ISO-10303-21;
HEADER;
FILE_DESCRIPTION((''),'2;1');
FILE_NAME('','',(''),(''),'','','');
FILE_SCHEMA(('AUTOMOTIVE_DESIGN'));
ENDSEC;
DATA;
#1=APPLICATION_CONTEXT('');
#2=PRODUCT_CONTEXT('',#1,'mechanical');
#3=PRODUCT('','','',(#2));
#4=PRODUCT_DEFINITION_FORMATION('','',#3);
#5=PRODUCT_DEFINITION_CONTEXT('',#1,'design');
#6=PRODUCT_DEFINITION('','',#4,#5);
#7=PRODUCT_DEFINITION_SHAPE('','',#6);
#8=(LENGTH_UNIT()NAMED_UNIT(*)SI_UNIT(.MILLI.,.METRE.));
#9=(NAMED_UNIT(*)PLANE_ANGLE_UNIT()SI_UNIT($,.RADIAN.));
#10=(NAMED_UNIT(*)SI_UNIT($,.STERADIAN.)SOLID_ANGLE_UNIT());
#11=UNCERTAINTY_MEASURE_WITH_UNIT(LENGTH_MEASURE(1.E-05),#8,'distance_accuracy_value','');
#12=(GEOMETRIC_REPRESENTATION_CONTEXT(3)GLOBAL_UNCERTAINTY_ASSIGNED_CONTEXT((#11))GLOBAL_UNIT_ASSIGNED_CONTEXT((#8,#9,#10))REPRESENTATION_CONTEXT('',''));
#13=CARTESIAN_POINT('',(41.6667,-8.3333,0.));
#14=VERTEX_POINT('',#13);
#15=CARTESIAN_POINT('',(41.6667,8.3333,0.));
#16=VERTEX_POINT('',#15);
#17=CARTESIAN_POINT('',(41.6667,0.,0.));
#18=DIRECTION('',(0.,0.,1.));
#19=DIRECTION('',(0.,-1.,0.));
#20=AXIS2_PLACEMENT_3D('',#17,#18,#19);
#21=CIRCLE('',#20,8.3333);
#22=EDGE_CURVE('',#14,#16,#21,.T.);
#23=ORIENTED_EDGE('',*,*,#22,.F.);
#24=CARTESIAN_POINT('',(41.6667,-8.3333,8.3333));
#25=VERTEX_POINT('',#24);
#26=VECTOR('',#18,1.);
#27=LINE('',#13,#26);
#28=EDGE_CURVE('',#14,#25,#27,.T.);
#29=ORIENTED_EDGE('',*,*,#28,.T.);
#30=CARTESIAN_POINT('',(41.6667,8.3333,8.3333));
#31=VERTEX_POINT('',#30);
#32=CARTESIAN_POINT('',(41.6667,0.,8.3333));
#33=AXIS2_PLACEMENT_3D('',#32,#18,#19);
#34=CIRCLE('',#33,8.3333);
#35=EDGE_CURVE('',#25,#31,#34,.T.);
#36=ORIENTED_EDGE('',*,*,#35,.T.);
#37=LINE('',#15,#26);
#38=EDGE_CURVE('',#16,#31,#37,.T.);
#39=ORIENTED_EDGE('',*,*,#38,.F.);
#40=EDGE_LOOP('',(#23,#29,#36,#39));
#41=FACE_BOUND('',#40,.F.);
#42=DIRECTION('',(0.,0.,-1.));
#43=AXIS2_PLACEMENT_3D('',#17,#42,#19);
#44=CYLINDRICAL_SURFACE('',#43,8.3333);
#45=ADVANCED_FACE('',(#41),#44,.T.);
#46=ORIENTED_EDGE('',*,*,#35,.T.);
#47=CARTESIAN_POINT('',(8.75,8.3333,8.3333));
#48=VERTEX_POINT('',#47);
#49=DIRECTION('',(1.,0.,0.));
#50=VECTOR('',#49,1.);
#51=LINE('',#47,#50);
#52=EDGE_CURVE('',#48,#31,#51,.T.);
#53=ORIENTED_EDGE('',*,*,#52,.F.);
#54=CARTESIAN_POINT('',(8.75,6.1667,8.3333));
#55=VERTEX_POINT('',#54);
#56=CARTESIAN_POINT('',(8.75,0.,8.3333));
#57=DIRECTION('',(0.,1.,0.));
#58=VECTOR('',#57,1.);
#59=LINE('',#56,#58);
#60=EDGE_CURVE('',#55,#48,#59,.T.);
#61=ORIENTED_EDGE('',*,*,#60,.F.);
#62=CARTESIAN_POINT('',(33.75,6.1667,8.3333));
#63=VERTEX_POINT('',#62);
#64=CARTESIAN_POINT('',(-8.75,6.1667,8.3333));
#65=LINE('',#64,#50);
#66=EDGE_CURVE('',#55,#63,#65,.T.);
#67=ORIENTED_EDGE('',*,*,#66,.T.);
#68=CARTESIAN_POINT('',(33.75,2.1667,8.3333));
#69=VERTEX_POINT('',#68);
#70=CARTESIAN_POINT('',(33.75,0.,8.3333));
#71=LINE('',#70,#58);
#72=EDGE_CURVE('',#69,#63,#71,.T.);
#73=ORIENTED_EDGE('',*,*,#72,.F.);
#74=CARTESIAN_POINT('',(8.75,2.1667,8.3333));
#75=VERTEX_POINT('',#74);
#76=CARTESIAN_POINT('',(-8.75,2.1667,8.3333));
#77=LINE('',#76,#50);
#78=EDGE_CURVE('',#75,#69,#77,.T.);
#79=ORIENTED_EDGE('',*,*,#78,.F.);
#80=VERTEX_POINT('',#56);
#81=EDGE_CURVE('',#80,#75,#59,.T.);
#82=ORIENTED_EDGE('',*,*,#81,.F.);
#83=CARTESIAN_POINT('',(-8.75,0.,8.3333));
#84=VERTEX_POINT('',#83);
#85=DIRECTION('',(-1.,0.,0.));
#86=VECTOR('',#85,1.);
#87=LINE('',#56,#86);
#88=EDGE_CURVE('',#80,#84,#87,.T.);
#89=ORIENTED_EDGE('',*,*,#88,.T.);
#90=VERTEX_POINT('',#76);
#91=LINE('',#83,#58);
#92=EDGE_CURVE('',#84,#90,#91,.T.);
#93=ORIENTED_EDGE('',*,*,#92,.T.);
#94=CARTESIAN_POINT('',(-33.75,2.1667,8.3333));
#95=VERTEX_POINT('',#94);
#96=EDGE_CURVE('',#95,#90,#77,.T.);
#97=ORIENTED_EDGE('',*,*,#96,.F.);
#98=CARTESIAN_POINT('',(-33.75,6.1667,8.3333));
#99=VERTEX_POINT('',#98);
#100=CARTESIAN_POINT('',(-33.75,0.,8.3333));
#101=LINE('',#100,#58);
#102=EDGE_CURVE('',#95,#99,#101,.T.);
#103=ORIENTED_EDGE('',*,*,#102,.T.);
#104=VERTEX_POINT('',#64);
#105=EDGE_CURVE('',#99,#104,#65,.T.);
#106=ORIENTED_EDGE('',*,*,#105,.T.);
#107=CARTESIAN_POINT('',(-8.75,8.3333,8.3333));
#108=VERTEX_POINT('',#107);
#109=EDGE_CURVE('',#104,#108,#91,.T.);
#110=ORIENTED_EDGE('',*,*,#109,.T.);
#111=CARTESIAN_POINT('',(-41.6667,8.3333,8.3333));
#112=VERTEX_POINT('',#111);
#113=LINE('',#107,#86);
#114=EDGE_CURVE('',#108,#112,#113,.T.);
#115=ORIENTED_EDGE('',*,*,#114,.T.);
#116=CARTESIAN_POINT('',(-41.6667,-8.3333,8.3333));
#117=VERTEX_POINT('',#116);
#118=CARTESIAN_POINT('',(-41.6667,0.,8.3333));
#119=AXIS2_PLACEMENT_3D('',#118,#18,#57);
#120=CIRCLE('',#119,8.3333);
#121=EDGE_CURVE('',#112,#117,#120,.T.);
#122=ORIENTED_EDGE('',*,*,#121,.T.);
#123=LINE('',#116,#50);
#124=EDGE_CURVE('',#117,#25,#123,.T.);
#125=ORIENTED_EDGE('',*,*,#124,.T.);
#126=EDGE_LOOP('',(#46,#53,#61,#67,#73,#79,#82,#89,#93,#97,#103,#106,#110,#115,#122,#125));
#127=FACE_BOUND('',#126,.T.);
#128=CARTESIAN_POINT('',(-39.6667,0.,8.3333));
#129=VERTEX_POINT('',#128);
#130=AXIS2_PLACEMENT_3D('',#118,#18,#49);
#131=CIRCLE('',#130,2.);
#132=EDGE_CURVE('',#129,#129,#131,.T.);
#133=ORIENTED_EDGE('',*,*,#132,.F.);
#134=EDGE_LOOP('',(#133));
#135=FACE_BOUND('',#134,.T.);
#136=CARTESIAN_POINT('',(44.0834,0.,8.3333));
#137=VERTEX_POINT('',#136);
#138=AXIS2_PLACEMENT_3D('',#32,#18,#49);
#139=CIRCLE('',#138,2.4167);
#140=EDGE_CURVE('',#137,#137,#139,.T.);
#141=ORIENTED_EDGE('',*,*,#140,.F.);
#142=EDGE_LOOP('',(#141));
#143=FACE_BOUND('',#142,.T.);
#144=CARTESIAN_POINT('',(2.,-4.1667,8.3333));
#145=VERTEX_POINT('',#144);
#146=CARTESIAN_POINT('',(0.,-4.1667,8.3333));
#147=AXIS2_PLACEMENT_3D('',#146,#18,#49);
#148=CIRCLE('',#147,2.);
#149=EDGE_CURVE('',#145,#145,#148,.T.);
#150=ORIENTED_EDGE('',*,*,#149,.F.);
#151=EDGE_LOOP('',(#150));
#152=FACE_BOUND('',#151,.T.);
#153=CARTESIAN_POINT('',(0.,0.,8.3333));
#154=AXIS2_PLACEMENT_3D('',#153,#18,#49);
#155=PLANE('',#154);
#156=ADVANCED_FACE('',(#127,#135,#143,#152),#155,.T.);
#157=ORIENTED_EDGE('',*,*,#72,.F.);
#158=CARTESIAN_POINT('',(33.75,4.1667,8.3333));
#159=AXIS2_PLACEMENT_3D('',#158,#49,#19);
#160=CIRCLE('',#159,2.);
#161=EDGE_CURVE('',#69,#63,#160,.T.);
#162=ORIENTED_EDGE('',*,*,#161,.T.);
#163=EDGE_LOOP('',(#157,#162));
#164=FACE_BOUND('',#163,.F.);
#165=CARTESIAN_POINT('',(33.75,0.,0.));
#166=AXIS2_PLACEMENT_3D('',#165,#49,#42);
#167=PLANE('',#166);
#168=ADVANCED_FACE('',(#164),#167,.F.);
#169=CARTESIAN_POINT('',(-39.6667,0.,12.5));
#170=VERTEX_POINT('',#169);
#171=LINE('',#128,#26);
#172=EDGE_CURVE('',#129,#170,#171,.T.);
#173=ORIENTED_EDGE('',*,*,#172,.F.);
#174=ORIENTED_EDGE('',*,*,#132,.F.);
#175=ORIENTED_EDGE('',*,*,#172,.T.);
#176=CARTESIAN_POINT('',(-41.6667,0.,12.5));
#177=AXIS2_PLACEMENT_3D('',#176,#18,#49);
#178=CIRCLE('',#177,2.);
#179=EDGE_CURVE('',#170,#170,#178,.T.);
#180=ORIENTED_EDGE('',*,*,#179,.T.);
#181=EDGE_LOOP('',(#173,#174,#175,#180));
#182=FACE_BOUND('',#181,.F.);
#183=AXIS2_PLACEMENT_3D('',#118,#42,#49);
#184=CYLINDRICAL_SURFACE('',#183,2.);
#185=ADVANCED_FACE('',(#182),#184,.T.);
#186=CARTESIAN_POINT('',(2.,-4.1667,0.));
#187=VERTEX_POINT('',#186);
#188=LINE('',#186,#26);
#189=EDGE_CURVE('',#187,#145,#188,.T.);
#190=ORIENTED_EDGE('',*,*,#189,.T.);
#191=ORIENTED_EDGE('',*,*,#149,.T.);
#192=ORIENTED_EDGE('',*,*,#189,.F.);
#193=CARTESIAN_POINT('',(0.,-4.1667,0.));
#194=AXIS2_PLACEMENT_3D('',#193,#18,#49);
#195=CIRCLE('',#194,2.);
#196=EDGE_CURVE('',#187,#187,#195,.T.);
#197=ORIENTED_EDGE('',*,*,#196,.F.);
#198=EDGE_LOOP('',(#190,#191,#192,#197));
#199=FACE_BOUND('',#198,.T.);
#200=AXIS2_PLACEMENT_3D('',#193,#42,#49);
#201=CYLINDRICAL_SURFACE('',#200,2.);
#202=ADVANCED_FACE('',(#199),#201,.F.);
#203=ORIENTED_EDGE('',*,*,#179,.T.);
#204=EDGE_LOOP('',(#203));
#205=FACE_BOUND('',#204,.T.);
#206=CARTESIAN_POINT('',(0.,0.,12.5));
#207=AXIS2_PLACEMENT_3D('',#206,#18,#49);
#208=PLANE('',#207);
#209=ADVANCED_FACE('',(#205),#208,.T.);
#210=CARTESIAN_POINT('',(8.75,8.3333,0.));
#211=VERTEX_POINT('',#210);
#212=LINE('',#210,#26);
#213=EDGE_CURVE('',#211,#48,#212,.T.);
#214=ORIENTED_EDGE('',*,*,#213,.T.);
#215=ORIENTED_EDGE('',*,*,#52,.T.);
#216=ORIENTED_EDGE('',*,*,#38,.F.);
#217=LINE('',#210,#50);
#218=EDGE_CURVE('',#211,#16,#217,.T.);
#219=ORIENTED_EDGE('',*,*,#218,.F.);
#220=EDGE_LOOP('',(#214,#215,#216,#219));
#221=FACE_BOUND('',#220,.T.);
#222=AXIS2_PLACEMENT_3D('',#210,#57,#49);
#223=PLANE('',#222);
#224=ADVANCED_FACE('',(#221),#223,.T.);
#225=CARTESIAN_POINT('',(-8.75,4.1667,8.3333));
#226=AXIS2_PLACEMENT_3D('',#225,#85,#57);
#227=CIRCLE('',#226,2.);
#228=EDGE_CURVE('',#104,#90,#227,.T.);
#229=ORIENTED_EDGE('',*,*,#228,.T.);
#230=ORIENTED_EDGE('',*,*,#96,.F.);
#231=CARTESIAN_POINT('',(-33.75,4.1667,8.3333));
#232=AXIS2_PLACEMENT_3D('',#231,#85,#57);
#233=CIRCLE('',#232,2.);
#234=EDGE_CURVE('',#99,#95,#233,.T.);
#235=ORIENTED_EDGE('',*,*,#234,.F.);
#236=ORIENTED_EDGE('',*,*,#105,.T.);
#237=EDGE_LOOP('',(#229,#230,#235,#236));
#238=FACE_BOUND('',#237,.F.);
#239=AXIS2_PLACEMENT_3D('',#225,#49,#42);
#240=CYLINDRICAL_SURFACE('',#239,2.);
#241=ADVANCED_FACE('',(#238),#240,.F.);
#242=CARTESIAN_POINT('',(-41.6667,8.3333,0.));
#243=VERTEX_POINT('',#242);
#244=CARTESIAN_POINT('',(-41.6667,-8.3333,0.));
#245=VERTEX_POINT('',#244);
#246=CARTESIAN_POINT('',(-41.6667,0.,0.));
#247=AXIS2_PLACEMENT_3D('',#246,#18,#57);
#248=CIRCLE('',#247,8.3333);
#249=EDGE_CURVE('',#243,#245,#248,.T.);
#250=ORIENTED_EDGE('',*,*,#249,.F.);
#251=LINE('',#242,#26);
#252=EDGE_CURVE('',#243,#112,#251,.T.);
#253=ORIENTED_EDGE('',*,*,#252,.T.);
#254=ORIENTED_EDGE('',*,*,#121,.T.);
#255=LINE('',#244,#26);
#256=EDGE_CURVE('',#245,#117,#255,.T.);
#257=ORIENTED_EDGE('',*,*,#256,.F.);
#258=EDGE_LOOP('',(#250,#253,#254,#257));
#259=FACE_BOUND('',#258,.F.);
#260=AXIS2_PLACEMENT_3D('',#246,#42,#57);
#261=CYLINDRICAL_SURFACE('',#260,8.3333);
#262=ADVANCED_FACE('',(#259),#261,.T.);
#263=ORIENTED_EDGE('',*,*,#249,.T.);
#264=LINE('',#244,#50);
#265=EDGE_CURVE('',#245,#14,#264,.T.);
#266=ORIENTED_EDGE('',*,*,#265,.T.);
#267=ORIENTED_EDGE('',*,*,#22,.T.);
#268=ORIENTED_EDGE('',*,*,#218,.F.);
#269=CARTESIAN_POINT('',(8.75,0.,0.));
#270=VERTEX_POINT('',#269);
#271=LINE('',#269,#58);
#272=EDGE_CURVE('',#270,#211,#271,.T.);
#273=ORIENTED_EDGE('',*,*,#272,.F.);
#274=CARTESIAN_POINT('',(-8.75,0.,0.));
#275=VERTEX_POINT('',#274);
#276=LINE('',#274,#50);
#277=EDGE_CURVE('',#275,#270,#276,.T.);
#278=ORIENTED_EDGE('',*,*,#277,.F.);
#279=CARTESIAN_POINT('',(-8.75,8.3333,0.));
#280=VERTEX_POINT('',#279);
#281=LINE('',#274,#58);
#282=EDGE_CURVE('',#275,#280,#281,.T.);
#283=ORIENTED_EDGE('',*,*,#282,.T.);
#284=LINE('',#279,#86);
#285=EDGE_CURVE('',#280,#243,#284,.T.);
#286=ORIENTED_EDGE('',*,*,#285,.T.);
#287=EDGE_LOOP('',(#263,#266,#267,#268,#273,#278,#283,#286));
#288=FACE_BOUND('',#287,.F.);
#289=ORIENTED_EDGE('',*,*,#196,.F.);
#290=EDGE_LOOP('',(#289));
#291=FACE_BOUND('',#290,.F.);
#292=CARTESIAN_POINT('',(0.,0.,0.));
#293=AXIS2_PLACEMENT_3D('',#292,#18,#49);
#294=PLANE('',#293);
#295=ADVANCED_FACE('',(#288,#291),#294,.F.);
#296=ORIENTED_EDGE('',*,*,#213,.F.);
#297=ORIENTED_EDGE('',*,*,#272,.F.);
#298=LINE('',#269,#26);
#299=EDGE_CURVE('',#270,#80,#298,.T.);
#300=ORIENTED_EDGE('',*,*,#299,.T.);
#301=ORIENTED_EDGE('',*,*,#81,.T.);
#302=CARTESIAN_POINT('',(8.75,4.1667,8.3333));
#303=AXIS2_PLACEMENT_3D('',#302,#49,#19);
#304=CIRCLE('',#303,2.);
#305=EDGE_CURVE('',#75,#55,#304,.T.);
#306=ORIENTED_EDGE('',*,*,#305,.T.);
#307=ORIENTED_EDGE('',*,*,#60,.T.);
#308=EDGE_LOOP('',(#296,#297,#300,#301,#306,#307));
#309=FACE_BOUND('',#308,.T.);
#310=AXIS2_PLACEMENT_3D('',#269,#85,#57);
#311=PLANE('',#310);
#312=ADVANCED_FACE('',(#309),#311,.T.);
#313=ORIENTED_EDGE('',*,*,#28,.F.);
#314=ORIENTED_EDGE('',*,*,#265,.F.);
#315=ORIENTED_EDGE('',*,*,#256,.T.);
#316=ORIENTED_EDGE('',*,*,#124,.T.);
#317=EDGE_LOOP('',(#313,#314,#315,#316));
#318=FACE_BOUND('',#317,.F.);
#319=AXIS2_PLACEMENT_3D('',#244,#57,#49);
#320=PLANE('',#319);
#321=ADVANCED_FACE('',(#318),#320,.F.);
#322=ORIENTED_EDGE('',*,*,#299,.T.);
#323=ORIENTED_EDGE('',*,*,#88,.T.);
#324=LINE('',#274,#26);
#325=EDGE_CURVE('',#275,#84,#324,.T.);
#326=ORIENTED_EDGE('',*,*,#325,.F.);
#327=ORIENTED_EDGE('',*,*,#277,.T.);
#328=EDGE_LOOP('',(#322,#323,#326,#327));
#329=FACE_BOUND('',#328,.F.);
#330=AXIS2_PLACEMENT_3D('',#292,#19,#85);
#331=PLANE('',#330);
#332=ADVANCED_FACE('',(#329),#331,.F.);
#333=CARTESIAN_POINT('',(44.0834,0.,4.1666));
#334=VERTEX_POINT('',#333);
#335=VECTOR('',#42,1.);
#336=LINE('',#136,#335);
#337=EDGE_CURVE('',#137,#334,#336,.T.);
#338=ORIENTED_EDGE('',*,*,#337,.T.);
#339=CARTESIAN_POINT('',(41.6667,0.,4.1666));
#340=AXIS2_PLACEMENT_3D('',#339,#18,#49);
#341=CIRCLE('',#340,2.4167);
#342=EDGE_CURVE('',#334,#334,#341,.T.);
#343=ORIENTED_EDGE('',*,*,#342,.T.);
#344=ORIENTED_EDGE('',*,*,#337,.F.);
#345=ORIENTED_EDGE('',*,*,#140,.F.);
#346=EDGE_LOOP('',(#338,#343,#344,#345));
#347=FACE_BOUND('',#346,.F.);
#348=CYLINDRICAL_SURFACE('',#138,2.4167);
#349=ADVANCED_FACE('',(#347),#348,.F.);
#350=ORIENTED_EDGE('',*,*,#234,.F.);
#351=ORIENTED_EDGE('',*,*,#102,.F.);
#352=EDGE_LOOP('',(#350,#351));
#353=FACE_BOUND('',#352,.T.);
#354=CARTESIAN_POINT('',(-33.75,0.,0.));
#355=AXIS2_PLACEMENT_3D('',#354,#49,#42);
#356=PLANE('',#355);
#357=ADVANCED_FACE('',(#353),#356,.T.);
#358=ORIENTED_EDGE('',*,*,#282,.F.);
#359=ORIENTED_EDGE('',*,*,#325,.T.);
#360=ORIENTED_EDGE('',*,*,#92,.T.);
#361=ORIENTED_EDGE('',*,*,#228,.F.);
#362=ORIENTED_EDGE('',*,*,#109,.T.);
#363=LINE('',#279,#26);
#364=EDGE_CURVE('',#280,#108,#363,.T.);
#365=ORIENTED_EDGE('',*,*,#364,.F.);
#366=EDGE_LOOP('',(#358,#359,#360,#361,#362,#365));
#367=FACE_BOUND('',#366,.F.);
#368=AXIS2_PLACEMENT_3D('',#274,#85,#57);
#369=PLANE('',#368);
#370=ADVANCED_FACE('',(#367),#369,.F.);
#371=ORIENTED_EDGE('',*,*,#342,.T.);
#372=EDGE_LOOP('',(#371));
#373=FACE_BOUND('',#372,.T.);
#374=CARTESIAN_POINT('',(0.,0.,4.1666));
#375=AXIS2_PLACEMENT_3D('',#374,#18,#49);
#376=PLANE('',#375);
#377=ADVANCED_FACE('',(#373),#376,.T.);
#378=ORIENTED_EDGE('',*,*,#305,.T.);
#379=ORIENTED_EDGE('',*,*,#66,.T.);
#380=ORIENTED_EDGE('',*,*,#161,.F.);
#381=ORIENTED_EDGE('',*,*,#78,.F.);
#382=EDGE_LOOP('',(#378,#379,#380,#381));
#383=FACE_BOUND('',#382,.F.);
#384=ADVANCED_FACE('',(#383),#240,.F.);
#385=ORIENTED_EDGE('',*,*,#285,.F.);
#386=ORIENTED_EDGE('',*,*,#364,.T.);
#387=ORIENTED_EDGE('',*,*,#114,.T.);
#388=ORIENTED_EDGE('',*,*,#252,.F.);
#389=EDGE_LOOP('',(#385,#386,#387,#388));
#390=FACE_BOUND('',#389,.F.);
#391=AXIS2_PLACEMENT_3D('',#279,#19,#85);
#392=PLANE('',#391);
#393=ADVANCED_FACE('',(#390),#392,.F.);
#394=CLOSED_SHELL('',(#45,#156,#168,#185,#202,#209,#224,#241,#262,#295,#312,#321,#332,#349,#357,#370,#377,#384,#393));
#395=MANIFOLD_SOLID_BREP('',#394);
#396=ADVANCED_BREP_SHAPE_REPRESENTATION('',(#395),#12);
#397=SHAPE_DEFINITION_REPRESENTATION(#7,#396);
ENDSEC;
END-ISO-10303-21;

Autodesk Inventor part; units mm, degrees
ref_plane "YZ Plane" through (0, 0, 0) normal (1, 0, 0) x (0, 1, 0)
ref_plane "XZ Plane" through (0, 0, 0) normal (0, 1, 0) x (-1, 0, 0)
ref_plane "XY Plane" through (0, 0, 0) normal (0, 0, 1) x (1, 0, 0)
sketch "Sketch1" plane through (0, 0, 0) normal (0, 0, 1) x (1, 0, 0)
  line L0 (-41.6667, 0) -> (41.6667, 0) construction
  line L1 (-41.6667, -8.3333) -> (41.6667, -8.3333)
  arc A0 (-41.6667, 8.3333) -> (-41.6667, -8.3333) centre (-41.6667, 0) ccw
  arc A1 (41.6667, -8.3333) -> (41.6667, 8.3333) centre (41.6667, 0) ccw
  line L2 (-8.75, 8.3333) -> (-41.6667, 8.3333)
  circle A2 centre (0, -4.1667) radius 2
  line L3 (0, 0) -> (-8.75, 0)
  line L4 (-8.75, 0) -> (-8.75, 8.3333)
  line L5 (0, 0) -> (8.75, 0)
  line L6 (8.75, 0) -> (8.75, 8.3333)
  line L7 (8.75, 8.3333) -> (41.6667, 8.3333)
  dimension "HL" = 41.6667
  dimension "d1" = 16.6667
  dimension "d10" = 4.1667
  dimension "HD" = 4
  dimension "d12" = 41.6667
  dimension "d13" = 8.75
  dimension "d14" = 8.75
  dimension "d17" = 8.75
  dimension "d18" = 8.3333
extrude "Main" add sketch "Sketch1" along normal blind 8.3333
sketch "Sketch2" plane through (-8.75, 0, 0) normal (1, 0, 0) x (0, 0, -1)
  line L0 (-8.3333, 8.3333) -> (-8.3333, 0) projected
  circle A0 centre (-8.3333, 4.1667) radius 2
  point P0 (0, 0)
  dimension "d19" = 4
extrude "Hole" cut sketch "Sketch2" along normal blind 42.5 and the other way blind 25
sketch "Sketch3" plane through (0, 0, 8.3333) normal (0, 0, 1) x (1, 0, 0)
  circle A0 centre (-41.6667, 0) radius 2
  line L0 (41.6667, 8.3333) -> (8.75, 8.3333) projected
  line L1 (-8.75, 8.3333) -> (-41.6667, 8.3333) projected
  point P0 (0, 0)
  dimension "d24" = 4
  dimension "d25" = 41.6667
  dimension "d29" = 8.3333
sketch "Sketch4" plane through (0, 0, 8.3333) normal (0, 0, 1) x (1, 0, 0)
  circle A0 centre (41.6667, 0) radius 2.4167
  line L0 (41.6667, 8.3333) -> (8.75, 8.3333) projected
  point P0 (0, 0)
  dimension "d30" = 41.6667
  dimension "d31" = 4.8333
  dimension "d32" = 8.3333
extrude "Pigg" add sketch "Sketch3" along normal blind 4.1667
extrude "Minuspigg" cut sketch "Sketch4" against normal blind 4.1667
sketch "Sketch5" plane through (0, 0, 8.3333) normal (0, 0, 1) x (1, 0, 0)
  point P0 (0, 0)
sketch "Sketch6" plane through (0, 0, 8.3333) normal (0, 0, 1) x (1, 0, 0)
  point P0 (0, 0)
sketch "Sketch7" plane through (0, 0, 8.3333) normal (0, 0, 1) x (1, 0, 0)
  point P0 (0, 0)
sketch "Sketch8" plane through (0, 0, 8.3333) normal (0, 0, 1) x (1, 0, 0)
  point P0 (0, 0)
sketch "Sketch9" plane through (0, 0, 8.3333) normal (0, 0, 1) x (1, 0, 0)
  point P0 (0, 0)
equation "\"d1\" = 0.4 * HL"
equation "\"d10\" = 0.1 * HL"
equation "\"d12\" = HL"
equation "\"d13\" = 0.2 * HL + Eps"
equation "\"d14\" = 0.2 * HL + Eps"
equation "\"d17\" = 0.2 * HL + Eps"
equation "\"d18\" = 0.2 * HL"
equation "\"d15\" = 0.2 * HL"
equation "\"d19\" = HD"
equation "\"d20\" = HL + 2 * Eps"
equation "\"d21\" = 0.6 * HL"
equation "\"d24\" = HD"
equation "\"d25\" = HL"
equation "\"d29\" = 0.2 * HL"
equation "\"d30\" = HL"
equation "\"d31\" = HD + 2 * Eps"
equation "\"d32\" = 0.2 * HL"
equation "\"d33\" = 0.1 * HL"
equation "\"d35\" = 0.1 * HL"
equation "\"Eps\" = 0.41667"
properties part number "1fjärdedel"
